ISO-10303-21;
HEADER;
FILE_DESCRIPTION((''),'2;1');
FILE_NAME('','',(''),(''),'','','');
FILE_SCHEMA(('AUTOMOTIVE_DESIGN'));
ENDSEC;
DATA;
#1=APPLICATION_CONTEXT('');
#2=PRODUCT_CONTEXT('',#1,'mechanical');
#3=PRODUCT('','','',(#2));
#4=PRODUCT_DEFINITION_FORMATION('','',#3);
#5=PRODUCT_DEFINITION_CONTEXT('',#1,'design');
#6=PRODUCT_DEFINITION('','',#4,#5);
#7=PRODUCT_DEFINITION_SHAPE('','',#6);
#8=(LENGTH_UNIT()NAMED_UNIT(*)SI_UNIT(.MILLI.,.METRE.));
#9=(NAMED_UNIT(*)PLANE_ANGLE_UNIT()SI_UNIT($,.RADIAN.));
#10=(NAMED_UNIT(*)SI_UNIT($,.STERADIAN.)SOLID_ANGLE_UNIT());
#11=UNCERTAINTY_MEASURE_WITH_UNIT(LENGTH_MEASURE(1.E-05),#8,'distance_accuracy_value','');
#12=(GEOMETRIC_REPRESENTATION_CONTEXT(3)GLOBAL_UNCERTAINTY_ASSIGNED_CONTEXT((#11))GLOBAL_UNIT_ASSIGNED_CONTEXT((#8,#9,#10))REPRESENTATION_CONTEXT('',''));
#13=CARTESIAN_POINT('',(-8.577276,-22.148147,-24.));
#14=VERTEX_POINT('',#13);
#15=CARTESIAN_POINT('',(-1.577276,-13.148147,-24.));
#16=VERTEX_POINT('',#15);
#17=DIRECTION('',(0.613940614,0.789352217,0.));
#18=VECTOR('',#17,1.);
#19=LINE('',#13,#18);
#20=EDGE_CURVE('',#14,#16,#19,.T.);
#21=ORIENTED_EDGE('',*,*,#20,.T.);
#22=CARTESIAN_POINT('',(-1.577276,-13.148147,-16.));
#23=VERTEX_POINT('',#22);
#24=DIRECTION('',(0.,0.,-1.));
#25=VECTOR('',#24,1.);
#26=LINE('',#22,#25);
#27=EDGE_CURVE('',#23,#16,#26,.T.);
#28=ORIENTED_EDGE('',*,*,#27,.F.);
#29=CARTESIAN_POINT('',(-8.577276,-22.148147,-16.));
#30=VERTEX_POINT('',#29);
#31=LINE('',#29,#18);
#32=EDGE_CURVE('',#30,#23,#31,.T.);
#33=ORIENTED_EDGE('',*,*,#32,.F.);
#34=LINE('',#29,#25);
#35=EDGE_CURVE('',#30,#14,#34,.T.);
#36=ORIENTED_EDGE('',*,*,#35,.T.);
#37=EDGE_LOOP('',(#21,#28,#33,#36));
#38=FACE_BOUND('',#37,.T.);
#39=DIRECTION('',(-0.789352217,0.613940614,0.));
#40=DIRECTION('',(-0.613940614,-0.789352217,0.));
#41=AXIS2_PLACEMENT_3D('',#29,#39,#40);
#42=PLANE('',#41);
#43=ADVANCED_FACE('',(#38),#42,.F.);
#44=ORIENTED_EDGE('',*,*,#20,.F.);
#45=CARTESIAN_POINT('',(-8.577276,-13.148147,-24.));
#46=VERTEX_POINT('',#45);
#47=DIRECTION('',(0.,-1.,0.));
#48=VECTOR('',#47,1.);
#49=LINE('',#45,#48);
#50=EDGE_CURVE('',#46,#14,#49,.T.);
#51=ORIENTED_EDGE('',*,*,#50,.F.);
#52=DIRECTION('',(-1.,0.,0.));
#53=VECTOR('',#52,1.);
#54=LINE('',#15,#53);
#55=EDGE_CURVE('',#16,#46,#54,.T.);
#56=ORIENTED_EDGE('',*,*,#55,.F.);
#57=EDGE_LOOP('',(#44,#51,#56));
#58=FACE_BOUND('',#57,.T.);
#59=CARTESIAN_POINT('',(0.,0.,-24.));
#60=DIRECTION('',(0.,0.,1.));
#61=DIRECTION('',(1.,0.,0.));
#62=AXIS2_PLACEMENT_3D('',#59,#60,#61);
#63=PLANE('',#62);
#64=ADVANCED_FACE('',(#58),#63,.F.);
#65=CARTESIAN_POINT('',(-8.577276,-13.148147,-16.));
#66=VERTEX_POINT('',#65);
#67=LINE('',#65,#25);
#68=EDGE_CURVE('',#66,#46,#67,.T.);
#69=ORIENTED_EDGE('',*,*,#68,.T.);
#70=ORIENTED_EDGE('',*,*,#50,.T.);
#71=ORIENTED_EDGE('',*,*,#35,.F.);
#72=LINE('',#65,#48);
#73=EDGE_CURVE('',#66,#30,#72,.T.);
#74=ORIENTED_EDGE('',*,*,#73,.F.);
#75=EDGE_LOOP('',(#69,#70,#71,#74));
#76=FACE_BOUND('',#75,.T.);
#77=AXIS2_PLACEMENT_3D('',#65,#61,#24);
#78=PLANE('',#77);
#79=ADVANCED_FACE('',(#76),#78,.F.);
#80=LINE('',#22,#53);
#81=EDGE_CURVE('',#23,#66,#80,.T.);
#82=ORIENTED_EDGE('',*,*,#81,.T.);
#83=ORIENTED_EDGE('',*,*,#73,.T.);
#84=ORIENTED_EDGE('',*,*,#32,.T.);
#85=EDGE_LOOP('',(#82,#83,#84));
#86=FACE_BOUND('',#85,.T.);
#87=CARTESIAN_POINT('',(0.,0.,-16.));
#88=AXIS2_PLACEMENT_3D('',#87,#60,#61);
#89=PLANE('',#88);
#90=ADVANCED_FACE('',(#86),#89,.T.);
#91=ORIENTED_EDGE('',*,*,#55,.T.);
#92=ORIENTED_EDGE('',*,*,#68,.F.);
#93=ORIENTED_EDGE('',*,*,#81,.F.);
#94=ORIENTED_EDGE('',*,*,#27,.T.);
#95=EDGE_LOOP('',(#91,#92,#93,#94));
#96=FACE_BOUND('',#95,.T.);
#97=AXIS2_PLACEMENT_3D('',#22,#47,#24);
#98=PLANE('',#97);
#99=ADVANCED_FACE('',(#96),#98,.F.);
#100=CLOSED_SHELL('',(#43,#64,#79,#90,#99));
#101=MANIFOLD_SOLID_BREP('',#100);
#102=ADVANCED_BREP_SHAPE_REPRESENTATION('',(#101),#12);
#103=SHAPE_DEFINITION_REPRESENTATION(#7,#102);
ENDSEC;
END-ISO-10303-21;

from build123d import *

# Parameters (mm, degrees)
BOSS_EXTRUDE1_DEPTH = 4


with BuildPart() as part:
    # Sketch1 → Boss-Extrude1 (new, symmetric)
    with BuildSketch(Plane.XY.offset(-20)):
        Polygon((-8.577275623, -13.148147109), (-8.577275623, -22.148147109), (-1.577275623, -13.148147109), align=None)
    extrude(amount=BOSS_EXTRUDE1_DEPTH, both=True)


solid = part.part
